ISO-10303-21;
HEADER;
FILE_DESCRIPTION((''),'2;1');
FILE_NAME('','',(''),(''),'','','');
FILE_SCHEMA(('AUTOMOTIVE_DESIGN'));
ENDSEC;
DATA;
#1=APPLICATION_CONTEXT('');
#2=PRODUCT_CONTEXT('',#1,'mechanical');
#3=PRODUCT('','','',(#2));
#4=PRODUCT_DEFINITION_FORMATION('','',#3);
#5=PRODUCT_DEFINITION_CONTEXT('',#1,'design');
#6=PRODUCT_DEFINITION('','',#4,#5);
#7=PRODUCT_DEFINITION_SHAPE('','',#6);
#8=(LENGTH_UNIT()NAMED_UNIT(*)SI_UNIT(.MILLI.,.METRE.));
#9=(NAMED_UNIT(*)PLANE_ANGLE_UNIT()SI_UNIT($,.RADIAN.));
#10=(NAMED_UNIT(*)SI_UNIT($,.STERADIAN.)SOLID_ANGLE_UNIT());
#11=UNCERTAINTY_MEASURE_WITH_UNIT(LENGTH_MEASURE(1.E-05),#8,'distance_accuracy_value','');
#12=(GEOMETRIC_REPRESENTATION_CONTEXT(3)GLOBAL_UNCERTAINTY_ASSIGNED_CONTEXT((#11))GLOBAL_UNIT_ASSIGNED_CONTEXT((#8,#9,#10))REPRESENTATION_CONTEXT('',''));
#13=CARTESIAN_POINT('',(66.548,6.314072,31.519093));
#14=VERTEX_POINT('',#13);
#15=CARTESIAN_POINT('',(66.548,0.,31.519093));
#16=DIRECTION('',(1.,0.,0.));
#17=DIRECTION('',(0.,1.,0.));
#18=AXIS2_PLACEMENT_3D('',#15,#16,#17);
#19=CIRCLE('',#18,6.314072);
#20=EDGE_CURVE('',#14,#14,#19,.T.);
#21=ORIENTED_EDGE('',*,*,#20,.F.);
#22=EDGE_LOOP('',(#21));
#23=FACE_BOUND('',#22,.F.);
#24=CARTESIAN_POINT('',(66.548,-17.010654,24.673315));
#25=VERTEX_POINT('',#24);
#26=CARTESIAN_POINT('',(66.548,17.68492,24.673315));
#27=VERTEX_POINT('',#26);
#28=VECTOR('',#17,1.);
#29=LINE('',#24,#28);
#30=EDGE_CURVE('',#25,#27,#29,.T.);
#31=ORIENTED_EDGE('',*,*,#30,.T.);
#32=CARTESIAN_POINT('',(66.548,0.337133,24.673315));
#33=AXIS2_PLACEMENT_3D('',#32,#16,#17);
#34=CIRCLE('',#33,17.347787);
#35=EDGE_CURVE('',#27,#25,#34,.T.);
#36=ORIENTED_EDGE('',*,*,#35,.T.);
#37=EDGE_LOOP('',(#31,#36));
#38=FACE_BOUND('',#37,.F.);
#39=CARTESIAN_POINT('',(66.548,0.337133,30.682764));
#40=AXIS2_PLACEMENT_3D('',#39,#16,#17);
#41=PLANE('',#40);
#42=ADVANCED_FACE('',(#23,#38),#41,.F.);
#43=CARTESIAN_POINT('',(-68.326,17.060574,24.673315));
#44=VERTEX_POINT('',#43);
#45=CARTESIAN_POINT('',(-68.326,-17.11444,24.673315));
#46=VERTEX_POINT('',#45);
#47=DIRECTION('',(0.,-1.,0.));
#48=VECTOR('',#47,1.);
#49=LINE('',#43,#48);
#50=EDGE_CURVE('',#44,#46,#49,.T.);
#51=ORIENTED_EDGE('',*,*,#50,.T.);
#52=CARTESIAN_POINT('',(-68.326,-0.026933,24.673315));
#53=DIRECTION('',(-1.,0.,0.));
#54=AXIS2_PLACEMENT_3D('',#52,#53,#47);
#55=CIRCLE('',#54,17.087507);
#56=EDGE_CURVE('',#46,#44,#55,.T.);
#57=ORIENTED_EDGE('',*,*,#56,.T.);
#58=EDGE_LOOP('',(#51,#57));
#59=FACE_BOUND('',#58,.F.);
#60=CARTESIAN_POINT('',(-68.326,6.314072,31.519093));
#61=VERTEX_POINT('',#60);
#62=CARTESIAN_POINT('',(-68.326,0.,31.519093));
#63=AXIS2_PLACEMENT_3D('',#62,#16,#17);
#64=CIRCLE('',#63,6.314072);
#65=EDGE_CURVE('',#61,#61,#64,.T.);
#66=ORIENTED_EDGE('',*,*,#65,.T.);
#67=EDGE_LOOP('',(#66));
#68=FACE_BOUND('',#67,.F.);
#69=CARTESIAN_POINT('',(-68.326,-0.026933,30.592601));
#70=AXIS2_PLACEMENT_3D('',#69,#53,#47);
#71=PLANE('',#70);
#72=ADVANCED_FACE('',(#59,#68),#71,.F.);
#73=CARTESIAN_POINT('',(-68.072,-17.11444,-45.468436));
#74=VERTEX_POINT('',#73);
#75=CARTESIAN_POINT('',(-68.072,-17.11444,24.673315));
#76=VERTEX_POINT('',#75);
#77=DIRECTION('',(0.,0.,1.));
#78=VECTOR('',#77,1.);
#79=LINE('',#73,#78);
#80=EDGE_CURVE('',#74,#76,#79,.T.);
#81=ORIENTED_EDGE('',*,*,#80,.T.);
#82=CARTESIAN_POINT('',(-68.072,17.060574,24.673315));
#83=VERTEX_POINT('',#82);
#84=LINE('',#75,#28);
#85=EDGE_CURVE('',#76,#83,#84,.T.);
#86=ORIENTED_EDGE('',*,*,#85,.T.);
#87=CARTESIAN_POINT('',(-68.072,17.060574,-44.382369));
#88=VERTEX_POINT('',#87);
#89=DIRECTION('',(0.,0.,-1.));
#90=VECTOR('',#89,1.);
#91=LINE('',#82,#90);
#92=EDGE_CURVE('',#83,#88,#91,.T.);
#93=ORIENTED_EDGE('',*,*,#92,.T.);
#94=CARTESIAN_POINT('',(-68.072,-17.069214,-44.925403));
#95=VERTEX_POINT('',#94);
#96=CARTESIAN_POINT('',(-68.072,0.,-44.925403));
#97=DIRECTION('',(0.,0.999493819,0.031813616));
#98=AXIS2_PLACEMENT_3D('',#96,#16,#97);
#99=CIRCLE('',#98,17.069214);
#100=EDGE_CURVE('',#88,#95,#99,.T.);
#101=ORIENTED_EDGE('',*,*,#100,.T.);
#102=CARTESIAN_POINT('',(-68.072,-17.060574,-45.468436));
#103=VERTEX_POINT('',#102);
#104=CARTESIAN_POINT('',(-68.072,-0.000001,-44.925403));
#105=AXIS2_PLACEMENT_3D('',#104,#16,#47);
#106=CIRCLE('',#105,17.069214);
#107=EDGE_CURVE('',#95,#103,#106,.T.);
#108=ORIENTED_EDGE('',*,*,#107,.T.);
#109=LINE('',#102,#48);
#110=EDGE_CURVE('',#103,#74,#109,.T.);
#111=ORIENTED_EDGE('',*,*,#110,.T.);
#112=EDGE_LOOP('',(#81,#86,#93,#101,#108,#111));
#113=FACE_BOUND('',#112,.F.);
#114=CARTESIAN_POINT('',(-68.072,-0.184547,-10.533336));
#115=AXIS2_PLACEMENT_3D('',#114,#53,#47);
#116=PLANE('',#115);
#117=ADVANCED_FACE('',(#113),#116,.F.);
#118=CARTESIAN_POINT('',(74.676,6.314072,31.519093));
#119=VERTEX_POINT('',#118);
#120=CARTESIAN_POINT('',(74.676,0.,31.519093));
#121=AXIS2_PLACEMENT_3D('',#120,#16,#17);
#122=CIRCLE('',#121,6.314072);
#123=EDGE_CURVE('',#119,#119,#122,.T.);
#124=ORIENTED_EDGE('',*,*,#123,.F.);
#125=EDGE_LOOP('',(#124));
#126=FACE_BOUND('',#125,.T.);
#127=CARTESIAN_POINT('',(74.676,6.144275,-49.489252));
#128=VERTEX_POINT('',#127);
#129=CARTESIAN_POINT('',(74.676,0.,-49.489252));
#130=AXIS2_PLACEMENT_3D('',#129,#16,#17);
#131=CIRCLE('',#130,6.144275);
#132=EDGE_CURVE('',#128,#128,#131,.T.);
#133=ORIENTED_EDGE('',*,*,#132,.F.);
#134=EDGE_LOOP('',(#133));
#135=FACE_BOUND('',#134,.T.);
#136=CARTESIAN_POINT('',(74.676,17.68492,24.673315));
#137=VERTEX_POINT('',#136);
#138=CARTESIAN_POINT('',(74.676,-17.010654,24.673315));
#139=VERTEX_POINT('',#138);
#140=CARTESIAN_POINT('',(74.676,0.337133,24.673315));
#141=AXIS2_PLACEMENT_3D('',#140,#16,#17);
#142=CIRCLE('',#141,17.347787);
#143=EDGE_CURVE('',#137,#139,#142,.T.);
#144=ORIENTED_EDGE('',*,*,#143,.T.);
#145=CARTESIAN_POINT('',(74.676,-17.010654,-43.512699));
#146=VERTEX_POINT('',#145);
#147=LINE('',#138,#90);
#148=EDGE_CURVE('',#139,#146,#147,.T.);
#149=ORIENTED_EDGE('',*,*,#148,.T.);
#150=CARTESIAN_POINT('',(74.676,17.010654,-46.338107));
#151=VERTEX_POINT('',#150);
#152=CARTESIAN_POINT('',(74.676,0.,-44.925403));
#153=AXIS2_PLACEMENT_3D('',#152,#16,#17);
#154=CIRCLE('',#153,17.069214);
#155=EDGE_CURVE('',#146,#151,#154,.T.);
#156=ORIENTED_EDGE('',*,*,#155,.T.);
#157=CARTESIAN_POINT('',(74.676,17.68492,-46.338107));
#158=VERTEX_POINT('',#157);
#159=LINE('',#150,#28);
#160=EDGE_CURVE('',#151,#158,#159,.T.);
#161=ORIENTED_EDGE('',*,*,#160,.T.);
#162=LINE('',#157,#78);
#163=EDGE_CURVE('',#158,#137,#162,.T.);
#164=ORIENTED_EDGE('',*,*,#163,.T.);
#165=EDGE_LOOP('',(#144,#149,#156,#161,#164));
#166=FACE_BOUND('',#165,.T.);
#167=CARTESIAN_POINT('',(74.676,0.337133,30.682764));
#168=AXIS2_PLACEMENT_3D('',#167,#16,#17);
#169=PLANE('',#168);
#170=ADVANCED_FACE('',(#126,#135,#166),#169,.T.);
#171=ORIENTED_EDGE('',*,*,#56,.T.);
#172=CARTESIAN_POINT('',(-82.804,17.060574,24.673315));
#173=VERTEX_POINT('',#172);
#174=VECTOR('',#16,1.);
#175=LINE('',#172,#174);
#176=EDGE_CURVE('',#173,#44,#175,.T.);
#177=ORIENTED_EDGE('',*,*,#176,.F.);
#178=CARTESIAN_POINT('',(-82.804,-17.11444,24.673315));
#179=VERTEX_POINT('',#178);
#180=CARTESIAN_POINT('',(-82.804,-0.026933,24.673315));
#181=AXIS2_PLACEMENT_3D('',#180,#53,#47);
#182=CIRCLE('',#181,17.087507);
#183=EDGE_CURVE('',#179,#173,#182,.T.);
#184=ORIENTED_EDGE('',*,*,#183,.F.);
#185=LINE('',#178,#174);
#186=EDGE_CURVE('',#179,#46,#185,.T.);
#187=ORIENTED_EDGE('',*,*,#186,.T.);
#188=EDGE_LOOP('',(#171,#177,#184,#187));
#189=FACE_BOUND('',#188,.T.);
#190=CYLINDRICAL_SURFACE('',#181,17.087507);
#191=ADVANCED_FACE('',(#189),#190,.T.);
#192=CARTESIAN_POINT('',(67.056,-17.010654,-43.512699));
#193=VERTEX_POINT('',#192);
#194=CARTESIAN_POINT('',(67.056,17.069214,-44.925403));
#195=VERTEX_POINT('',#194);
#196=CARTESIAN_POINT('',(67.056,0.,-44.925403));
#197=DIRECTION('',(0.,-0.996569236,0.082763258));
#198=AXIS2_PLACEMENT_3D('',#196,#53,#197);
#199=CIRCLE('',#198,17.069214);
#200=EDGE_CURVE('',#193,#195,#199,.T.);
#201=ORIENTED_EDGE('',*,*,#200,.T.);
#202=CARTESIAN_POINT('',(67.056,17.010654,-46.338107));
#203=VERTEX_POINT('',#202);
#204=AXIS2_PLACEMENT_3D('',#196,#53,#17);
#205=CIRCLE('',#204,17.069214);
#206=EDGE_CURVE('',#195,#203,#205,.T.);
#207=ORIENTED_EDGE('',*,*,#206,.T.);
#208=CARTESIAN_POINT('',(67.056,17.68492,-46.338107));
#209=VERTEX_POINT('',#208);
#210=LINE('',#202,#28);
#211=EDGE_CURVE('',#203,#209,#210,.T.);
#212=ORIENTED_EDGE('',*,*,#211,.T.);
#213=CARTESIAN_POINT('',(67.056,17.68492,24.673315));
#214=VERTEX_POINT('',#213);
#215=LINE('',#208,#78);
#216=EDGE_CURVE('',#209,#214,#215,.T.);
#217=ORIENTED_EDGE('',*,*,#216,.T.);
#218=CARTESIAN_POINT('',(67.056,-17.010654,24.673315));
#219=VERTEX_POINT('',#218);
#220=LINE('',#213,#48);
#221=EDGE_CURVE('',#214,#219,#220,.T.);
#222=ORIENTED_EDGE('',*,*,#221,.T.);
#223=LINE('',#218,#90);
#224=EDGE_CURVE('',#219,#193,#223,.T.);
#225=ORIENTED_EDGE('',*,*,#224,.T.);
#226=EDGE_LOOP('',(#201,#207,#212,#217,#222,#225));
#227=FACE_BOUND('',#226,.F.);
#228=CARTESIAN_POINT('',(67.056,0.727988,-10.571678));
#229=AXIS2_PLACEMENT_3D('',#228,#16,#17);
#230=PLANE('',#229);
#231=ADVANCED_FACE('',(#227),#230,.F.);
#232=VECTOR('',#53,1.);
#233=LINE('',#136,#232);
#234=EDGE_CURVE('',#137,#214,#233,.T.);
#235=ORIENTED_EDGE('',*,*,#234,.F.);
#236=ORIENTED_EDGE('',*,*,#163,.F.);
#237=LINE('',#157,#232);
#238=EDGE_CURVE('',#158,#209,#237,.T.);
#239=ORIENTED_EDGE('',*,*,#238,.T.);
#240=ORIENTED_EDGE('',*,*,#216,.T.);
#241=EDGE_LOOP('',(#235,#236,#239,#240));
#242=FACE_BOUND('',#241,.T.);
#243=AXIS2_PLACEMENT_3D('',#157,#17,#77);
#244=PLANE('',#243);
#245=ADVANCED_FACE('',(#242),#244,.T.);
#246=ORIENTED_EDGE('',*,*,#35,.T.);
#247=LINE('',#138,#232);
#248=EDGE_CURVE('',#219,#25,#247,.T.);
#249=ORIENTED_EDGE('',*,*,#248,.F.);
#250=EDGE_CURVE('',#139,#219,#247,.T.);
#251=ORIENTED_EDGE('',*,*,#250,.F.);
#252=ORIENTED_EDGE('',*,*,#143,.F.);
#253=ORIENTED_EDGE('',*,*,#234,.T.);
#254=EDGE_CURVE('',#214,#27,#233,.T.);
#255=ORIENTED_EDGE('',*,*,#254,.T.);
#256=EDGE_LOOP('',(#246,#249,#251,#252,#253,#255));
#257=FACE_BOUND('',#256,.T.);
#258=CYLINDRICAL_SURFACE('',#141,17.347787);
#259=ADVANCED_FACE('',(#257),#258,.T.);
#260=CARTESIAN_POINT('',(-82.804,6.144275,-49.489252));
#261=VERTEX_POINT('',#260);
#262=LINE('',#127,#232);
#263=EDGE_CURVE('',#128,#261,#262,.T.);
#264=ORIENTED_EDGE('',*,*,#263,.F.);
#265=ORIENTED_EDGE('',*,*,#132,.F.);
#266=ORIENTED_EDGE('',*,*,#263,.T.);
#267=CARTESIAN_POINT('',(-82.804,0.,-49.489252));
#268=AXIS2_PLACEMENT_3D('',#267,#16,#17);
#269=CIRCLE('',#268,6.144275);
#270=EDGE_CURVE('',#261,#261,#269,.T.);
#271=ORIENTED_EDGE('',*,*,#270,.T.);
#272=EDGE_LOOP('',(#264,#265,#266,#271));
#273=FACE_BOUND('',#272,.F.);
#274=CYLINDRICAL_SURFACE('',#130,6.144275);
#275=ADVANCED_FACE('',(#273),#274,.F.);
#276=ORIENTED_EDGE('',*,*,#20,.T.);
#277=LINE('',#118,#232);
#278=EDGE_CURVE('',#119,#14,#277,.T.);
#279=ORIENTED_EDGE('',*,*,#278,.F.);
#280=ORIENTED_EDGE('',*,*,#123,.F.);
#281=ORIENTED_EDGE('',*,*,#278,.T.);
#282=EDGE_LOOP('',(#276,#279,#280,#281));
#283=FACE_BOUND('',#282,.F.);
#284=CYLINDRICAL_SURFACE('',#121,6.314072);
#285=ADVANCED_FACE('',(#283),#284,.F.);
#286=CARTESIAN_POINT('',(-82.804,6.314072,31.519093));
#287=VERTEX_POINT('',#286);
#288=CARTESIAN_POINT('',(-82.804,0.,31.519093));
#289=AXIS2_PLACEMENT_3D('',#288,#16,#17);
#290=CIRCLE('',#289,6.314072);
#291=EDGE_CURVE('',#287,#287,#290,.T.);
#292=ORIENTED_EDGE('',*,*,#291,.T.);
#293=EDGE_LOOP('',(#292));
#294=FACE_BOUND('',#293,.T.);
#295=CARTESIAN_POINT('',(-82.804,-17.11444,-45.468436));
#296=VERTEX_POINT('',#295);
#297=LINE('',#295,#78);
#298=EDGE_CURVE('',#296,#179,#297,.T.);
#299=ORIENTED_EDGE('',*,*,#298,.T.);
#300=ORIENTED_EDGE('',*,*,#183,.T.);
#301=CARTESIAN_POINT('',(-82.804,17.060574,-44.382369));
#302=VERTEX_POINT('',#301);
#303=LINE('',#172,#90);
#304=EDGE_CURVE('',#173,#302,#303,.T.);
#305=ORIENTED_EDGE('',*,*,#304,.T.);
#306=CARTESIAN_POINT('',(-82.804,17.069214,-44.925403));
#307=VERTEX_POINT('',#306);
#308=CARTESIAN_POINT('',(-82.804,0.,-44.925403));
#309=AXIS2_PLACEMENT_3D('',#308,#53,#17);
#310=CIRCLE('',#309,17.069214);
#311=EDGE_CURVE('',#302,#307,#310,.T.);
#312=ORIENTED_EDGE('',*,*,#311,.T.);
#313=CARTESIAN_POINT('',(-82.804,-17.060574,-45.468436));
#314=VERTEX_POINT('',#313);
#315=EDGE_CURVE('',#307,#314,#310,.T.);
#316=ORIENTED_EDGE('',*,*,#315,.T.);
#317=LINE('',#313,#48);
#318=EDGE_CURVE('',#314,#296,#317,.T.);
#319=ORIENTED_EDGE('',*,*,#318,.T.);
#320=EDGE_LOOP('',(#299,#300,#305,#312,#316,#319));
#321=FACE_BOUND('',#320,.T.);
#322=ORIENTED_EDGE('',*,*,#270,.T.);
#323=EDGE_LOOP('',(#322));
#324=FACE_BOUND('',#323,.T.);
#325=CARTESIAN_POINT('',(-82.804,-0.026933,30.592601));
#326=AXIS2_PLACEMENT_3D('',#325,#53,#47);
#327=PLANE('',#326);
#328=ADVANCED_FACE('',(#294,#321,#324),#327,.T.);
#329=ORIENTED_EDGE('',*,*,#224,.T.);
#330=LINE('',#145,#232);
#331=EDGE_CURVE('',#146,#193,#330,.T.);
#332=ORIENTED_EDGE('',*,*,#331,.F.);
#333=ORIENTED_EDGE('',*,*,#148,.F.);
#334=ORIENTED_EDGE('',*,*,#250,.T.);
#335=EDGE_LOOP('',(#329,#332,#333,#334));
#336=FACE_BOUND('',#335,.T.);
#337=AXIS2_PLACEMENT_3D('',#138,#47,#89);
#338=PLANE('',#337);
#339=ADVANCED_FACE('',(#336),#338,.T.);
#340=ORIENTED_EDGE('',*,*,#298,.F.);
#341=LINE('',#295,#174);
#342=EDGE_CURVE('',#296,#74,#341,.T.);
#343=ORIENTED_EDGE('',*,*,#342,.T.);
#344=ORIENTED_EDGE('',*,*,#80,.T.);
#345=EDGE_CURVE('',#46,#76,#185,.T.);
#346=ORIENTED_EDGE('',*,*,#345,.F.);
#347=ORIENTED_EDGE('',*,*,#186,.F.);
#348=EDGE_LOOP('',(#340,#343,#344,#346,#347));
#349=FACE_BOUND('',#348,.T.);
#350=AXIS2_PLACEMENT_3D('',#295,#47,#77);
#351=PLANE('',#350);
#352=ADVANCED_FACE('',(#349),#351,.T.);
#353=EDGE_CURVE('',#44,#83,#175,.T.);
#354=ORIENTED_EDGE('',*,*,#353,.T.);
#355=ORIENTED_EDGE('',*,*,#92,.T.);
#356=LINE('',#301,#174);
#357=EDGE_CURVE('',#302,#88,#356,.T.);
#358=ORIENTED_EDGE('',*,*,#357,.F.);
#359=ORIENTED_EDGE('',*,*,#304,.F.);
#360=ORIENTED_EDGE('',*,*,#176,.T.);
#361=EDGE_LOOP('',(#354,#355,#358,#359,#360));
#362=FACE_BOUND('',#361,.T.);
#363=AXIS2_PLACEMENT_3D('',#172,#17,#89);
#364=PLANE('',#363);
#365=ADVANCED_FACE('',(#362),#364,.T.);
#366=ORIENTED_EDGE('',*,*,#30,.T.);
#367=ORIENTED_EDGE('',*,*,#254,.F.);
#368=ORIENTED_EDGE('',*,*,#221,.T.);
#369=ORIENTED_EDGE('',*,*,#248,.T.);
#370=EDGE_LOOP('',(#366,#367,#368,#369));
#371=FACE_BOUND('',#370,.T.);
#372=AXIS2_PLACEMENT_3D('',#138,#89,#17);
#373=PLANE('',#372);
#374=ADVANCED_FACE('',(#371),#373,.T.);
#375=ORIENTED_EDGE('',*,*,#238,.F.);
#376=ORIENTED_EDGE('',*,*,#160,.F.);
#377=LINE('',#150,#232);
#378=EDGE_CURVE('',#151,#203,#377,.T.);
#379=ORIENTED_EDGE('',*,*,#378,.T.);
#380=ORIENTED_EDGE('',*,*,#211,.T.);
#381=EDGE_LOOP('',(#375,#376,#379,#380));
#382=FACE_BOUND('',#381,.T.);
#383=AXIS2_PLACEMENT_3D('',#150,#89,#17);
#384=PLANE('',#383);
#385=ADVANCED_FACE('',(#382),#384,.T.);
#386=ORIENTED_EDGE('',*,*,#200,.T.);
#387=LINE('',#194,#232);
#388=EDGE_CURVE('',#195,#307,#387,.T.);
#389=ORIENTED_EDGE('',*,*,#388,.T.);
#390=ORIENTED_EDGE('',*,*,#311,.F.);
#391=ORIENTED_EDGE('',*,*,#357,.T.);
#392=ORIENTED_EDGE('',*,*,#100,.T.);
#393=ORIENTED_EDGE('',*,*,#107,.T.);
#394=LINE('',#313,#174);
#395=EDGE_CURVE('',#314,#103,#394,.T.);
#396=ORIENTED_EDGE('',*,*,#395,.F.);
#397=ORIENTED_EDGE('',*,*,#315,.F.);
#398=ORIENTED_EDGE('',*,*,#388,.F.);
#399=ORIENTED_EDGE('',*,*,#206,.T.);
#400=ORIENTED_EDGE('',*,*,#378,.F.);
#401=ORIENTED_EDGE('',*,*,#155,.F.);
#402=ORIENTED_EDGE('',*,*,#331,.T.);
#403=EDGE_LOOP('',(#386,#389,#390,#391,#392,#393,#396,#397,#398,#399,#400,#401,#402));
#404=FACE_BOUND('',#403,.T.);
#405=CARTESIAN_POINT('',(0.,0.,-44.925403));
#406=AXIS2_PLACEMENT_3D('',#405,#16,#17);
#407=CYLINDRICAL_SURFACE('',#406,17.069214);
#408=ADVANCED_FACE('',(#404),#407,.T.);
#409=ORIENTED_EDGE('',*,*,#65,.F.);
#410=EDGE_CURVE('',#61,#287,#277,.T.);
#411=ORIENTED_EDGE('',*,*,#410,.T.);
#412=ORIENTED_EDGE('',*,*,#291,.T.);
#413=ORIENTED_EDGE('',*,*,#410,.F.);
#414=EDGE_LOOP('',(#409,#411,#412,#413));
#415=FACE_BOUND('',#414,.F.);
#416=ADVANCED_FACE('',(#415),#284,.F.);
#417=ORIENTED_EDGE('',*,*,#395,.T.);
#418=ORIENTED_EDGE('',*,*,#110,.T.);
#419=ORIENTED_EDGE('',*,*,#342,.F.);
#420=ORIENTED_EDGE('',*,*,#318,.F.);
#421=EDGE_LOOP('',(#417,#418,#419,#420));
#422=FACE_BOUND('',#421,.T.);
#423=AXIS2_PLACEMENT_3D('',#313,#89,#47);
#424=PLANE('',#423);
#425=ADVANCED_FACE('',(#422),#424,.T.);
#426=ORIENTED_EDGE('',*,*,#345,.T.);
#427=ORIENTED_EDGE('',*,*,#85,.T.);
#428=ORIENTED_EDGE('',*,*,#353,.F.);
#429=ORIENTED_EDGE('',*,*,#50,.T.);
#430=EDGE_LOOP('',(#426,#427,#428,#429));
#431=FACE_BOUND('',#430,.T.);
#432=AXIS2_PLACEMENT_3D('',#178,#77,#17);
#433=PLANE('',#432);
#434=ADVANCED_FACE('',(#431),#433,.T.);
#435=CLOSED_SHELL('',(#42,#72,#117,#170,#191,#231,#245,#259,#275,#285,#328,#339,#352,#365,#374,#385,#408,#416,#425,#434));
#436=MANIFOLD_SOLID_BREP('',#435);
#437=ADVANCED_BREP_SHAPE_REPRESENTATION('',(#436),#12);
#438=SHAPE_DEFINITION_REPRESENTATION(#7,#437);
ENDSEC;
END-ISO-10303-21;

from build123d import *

# Parameters (mm, degrees)
F0_R       = 17.0692141661
F1_DEPTH   = 74.676
F3_DEPTH   = 7.62
F1_FACE1_R = 17.0692141661
F5_DEPTH   = 8.128
F7_DEPTH   = 14.732
F9_DEPTH   = 14.478
F10_R      = 6.1442753349
F11_DEPTH  = 157.481
F12_R      = 6.3140721671
F13_DEPTH  = 157.481


with BuildPart() as f1:
    # F0 (on Right) → F1 (new body, symmetric)
    with BuildSketch(Plane.YZ):
        with Locations((0, -44.9254028499)):
            Circle(F0_R)
    extrude(amount=F1_DEPTH, both=True)

    # F2 (on face) → F3 (join)
    with BuildSketch(Plane.YZ.offset(74.676)):
        with BuildLine():
            ThreePointArc((17.0692141661, -44.9254028499), (17.054567773, -45.6323613518), (17.0106537288, -46.3381066294))
            Line((17.0106537288, -46.3381066294), (17.6849197596, -46.3381066294))
            Line((17.6849197596, -46.3381066294), (17.6849197596, 24.6733147651))
            Line((17.6849197596, 24.6733147651), (-17.0106537288, 24.6733147651))
            Line((-17.0106537288, 24.6733147651), (-17.0106537288, -43.5126990704))
            ThreePointArc((-17.0106537288, -43.5126990704), (0.7069585019, -27.8708350769), (17.0692141661, -44.9254028499))
        make_face()
    extrude(amount=-F3_DEPTH)

    # F4 (on face) + F1_face1 (on face) → F5 (join)
    with BuildSketch(Plane.YZ.offset(74.676)):
        with BuildLine():
            Line((-17.0106537288, 24.6733147651), (17.6849197596, 24.6733147651))
            ThreePointArc((17.6849197596, 24.6733147651), (0.3371330154, 42.0211015093), (-17.0106537288, 24.6733147651))
        make_face()
    with BuildSketch(Plane(origin=(-74.676, 0, -44.9254028499), x_dir=(0, 1, 0), z_dir=(-1, 0, 0))):
        Circle(F1_FACE1_R)
    extrude(amount=-F5_DEPTH, dir=(1, 0, 0))

    # F6 (on face) → F7 (join)
    with BuildSketch(Plane(origin=(-82.804, 0, 0), x_dir=(0, -1, 0), z_dir=(-1, 0, 0))):
        with BuildLine():
            ThreePointArc((17.0692141661, -44.9254028499), (17.0670540007, -45.1969539267), (17.060574051, -45.4684362721))
            Line((17.060574051, -45.4684362721), (17.1144399792, -45.4684362721))
            Line((17.1144399792, -45.4684362721), (17.1144399792, 24.6733147651))
            Line((17.1144399792, 24.6733147651), (-17.060574051, 24.6733147651))
            Line((-17.060574051, 24.6733147651), (-17.060574051, -44.3823694277))
            ThreePointArc((-17.060574051, -44.3823694277), (0.2715510768, -27.8583488493), (17.0692141661, -44.9254028499))
        make_face()
    extrude(amount=-F7_DEPTH)

    # F8 (on face) → F9 (join)
    with BuildSketch(Plane(origin=(-82.804, 0, 0), x_dir=(0, -1, 0), z_dir=(-1, 0, 0))):
        with BuildLine():
            Line((-17.060574051, 24.6733147651), (17.1144399792, 24.6733147651))
            ThreePointArc((17.1144399792, 24.6733147651), (0.0269329641, 41.7608217802), (-17.060574051, 24.6733147651))
        make_face()
    extrude(amount=-F9_DEPTH)

    # F10 (on face) → F11 (cut, through all)
    with BuildSketch(Plane.YZ.offset(74.676)):
        with Locations((0, -49.4892522693)):
            Circle(F10_R)
    extrude(amount=-F11_DEPTH, mode=Mode.SUBTRACT)

    # F12 (on face) → F13 (cut, through all)
    with BuildSketch(Plane.YZ.offset(74.676)):
        with Locations((0, 31.5190926194)):
            Circle(F12_R)
    extrude(amount=-F13_DEPTH, mode=Mode.SUBTRACT)


solid = f1.part
